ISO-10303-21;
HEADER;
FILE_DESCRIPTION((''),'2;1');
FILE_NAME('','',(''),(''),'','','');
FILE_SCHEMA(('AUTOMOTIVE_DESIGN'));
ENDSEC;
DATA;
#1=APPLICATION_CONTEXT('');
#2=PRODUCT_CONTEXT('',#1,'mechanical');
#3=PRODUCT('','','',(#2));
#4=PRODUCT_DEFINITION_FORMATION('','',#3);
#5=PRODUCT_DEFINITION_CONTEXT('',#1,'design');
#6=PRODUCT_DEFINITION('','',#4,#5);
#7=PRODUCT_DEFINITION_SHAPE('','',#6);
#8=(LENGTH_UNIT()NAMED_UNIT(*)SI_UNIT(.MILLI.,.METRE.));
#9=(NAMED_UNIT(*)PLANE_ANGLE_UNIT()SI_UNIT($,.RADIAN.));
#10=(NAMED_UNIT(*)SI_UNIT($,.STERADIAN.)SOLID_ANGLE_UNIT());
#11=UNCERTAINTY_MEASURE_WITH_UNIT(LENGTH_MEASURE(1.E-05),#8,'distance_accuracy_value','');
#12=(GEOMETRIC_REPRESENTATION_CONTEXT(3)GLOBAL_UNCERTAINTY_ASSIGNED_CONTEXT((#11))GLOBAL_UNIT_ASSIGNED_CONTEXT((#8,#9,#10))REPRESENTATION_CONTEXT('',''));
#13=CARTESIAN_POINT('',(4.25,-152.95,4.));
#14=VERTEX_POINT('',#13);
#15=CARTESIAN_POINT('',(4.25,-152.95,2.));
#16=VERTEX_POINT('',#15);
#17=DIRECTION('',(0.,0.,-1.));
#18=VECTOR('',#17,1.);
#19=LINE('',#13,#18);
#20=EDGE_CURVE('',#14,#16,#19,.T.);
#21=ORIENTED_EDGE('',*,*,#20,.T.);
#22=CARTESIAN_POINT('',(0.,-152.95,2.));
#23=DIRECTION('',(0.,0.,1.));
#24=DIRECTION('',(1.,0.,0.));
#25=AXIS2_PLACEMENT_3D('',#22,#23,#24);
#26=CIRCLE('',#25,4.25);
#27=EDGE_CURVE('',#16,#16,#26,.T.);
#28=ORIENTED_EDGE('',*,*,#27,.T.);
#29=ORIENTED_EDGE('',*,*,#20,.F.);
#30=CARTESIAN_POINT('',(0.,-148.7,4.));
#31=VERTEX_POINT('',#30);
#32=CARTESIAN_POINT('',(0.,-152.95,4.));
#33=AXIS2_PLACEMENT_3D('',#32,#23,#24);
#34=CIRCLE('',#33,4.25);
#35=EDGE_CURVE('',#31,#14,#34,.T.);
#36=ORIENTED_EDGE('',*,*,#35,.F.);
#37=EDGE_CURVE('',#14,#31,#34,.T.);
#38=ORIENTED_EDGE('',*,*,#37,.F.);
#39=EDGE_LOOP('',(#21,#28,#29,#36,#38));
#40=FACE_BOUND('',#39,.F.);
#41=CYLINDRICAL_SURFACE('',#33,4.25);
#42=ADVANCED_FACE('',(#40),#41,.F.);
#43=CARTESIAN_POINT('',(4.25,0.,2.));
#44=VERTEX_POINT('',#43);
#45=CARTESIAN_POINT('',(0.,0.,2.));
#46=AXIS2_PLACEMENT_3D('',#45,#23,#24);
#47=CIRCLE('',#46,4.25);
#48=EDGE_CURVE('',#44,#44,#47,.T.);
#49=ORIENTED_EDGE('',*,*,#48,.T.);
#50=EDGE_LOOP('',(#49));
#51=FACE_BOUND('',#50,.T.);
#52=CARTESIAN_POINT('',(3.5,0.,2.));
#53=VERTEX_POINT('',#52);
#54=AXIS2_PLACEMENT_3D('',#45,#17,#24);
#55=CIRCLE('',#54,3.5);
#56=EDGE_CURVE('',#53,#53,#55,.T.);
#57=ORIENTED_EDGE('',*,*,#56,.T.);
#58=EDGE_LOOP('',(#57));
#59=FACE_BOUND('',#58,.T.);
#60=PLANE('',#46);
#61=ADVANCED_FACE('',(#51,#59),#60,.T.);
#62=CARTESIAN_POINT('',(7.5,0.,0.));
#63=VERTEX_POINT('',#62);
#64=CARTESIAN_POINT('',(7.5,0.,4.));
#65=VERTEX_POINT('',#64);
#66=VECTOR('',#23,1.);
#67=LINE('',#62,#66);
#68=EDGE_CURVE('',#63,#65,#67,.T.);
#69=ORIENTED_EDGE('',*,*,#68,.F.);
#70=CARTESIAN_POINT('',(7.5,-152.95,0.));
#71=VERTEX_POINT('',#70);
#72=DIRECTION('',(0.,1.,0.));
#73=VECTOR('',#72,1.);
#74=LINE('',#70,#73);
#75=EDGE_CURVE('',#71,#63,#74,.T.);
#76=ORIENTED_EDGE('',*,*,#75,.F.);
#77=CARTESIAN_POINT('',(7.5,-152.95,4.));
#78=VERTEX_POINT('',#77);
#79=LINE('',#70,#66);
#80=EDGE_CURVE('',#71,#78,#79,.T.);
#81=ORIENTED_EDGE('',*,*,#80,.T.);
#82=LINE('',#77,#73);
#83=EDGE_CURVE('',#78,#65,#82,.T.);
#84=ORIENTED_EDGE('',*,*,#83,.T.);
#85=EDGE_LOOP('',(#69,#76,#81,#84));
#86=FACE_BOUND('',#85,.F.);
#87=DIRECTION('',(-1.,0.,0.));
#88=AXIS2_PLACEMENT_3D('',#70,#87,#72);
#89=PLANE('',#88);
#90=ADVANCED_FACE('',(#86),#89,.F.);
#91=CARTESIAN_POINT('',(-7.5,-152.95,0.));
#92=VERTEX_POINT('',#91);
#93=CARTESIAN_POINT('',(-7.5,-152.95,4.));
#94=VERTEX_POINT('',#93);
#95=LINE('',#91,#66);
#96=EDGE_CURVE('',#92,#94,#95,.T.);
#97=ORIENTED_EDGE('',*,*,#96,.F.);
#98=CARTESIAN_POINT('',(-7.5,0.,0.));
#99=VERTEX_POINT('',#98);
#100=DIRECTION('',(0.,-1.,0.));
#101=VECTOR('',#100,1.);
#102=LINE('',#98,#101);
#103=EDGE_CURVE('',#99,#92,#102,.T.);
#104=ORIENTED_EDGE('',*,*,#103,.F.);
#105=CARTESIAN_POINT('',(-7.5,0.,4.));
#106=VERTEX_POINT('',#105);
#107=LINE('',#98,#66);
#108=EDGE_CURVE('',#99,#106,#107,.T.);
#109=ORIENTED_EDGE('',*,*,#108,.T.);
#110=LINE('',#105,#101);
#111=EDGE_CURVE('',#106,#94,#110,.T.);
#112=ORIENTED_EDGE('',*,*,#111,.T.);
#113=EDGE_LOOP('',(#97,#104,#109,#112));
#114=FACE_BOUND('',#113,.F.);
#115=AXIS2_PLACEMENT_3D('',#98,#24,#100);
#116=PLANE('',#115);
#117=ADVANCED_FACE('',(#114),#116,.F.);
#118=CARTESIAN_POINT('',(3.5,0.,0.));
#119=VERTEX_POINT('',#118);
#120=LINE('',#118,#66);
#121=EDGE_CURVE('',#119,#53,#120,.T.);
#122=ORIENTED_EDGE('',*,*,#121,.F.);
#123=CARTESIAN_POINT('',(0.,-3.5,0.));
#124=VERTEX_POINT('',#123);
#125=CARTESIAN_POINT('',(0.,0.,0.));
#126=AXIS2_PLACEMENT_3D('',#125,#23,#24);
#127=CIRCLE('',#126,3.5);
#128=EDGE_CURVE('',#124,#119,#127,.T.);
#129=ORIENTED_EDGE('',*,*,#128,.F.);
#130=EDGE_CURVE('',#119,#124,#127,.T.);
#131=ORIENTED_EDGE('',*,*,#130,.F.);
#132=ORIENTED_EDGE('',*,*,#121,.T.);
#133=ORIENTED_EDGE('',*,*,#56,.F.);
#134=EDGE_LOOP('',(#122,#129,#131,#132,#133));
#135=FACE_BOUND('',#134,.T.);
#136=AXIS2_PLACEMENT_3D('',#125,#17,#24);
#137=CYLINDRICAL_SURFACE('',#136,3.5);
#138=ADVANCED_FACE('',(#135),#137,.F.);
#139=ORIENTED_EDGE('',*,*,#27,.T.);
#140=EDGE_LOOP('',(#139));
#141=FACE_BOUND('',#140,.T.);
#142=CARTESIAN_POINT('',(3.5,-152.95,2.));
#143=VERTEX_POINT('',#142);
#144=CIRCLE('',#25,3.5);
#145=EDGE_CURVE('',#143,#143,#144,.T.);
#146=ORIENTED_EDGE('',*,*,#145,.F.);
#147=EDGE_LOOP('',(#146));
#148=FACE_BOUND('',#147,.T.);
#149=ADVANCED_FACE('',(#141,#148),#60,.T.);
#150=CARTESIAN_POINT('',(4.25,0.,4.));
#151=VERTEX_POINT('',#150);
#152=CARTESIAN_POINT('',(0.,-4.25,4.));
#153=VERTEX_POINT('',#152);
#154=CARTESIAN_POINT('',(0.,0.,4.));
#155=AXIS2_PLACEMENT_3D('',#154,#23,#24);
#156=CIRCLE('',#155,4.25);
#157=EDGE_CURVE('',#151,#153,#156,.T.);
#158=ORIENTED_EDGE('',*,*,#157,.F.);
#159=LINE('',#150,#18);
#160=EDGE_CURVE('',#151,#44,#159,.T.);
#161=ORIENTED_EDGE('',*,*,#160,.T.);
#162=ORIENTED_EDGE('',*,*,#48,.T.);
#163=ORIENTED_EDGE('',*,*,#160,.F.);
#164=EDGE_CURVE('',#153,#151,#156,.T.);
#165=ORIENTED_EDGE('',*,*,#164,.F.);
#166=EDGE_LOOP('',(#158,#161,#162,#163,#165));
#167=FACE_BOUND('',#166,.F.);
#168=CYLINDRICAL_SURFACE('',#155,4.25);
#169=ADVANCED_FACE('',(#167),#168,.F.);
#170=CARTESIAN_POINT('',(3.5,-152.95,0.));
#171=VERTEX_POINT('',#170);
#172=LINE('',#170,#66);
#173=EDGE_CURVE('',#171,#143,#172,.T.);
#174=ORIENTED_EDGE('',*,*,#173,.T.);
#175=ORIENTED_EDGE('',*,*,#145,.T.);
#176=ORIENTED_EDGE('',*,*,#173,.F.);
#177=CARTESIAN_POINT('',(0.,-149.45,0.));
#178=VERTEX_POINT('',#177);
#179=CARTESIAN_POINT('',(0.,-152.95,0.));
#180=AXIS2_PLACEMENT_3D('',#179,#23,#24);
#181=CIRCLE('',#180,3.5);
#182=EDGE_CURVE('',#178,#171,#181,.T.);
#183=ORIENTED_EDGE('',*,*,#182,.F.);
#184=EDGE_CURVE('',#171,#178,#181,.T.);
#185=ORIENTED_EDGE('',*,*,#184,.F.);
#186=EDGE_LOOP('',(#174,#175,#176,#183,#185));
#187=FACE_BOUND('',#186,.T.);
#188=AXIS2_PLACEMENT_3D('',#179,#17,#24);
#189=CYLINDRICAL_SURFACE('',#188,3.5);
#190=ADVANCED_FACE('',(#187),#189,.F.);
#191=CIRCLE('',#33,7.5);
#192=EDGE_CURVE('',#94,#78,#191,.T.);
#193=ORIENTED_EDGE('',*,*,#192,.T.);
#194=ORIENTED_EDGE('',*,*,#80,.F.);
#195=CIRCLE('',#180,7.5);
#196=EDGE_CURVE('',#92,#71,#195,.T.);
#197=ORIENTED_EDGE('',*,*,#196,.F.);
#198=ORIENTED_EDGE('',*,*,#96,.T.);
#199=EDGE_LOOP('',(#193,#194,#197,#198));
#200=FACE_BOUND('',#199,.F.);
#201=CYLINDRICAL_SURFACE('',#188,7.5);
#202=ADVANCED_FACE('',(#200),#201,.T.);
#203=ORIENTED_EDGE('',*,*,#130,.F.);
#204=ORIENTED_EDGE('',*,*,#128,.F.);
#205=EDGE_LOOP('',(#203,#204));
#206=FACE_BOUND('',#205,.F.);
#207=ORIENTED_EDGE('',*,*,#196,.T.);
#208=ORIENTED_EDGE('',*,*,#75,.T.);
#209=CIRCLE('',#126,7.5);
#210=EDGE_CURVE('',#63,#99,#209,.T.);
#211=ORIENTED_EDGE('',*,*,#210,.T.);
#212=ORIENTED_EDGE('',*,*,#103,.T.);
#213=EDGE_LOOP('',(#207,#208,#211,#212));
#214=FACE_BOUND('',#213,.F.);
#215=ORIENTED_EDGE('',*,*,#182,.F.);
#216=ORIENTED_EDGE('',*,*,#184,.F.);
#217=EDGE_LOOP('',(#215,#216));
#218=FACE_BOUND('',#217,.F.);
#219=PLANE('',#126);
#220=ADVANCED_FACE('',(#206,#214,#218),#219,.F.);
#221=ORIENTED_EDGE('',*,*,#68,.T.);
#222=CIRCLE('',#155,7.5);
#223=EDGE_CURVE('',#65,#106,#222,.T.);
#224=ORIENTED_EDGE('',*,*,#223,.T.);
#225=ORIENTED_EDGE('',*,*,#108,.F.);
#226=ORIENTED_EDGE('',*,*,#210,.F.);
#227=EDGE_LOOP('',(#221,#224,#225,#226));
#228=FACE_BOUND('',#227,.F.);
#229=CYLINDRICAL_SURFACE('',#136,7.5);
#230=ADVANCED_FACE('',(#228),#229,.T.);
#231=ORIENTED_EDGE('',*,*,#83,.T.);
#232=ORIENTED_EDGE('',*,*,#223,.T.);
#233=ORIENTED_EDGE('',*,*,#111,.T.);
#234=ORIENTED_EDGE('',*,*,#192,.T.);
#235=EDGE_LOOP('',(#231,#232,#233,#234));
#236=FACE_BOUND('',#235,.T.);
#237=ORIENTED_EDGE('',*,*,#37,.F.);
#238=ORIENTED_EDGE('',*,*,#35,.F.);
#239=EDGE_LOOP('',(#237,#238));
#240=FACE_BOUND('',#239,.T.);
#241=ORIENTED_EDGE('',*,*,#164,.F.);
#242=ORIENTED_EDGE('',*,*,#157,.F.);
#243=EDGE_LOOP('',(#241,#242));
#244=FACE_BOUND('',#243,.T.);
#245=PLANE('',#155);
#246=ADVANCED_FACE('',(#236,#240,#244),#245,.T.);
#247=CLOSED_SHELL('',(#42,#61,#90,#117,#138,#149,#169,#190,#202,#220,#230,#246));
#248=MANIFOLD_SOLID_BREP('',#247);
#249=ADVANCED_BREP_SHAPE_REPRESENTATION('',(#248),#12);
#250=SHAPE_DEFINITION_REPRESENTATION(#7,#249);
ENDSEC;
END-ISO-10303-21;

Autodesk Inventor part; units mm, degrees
ref_plane "YZ Plane" through (0, 0, 0) normal (1, 0, 0) x (0, 1, 0)
ref_plane "XZ Plane" through (0, 0, 0) normal (0, 1, 0) x (-1, 0, 0)
ref_plane "XY Plane" through (0, 0, 0) normal (0, 0, 1) x (1, 0, 0)
sketch "スケッチ1" plane through (0, 0, 0) normal (0, 1, 0) x (-1, 0, 0)
  point P0 (0, 0)
sketch "スケッチ2" plane through (0, 0, 0) normal (0, 0, 1) x (1, 0, 0)
  circle A0 centre (0, 0) radius 3.5
  circle A1 centre (0, 0) radius 7.5
  line L0 (0, 0) -> (0, -152.95)
  circle A2 centre (0, -152.95) radius 3.5
  circle A3 centre (0, -152.95) radius 7.5
  line L1 (7.5, -152.95) -> (7.5, 0)
  line L2 (-7.5, 0) -> (-7.5, -152.95)
  dimension "d0" = 7
  dimension "d1" = 15
  dimension "d2" = 152.95
  dimension "d3" = 7
  dimension "d4" = 15
extrude "押し出し1" add sketch "スケッチ2" along normal blind 4
sketch "スケッチ4" plane through (0, 0, 4) normal (0, 0, 1) x (1, 0, 0)
  arc A0 (7.5, 0) -> (-7.5, 0) centre (0, 0) ccw projected
  circle A1 centre (0, 0) radius 4.25
  circle A2 centre (0, -152.95) radius 3.5 projected
  circle A3 centre (0, -152.95) radius 4.25
  dimension "d10" = 8.5
  dimension "d11" = 8.5
extrude "押し出し3" cut sketch "スケッチ4" against normal blind 2
properties part number "motor_holder_top"
